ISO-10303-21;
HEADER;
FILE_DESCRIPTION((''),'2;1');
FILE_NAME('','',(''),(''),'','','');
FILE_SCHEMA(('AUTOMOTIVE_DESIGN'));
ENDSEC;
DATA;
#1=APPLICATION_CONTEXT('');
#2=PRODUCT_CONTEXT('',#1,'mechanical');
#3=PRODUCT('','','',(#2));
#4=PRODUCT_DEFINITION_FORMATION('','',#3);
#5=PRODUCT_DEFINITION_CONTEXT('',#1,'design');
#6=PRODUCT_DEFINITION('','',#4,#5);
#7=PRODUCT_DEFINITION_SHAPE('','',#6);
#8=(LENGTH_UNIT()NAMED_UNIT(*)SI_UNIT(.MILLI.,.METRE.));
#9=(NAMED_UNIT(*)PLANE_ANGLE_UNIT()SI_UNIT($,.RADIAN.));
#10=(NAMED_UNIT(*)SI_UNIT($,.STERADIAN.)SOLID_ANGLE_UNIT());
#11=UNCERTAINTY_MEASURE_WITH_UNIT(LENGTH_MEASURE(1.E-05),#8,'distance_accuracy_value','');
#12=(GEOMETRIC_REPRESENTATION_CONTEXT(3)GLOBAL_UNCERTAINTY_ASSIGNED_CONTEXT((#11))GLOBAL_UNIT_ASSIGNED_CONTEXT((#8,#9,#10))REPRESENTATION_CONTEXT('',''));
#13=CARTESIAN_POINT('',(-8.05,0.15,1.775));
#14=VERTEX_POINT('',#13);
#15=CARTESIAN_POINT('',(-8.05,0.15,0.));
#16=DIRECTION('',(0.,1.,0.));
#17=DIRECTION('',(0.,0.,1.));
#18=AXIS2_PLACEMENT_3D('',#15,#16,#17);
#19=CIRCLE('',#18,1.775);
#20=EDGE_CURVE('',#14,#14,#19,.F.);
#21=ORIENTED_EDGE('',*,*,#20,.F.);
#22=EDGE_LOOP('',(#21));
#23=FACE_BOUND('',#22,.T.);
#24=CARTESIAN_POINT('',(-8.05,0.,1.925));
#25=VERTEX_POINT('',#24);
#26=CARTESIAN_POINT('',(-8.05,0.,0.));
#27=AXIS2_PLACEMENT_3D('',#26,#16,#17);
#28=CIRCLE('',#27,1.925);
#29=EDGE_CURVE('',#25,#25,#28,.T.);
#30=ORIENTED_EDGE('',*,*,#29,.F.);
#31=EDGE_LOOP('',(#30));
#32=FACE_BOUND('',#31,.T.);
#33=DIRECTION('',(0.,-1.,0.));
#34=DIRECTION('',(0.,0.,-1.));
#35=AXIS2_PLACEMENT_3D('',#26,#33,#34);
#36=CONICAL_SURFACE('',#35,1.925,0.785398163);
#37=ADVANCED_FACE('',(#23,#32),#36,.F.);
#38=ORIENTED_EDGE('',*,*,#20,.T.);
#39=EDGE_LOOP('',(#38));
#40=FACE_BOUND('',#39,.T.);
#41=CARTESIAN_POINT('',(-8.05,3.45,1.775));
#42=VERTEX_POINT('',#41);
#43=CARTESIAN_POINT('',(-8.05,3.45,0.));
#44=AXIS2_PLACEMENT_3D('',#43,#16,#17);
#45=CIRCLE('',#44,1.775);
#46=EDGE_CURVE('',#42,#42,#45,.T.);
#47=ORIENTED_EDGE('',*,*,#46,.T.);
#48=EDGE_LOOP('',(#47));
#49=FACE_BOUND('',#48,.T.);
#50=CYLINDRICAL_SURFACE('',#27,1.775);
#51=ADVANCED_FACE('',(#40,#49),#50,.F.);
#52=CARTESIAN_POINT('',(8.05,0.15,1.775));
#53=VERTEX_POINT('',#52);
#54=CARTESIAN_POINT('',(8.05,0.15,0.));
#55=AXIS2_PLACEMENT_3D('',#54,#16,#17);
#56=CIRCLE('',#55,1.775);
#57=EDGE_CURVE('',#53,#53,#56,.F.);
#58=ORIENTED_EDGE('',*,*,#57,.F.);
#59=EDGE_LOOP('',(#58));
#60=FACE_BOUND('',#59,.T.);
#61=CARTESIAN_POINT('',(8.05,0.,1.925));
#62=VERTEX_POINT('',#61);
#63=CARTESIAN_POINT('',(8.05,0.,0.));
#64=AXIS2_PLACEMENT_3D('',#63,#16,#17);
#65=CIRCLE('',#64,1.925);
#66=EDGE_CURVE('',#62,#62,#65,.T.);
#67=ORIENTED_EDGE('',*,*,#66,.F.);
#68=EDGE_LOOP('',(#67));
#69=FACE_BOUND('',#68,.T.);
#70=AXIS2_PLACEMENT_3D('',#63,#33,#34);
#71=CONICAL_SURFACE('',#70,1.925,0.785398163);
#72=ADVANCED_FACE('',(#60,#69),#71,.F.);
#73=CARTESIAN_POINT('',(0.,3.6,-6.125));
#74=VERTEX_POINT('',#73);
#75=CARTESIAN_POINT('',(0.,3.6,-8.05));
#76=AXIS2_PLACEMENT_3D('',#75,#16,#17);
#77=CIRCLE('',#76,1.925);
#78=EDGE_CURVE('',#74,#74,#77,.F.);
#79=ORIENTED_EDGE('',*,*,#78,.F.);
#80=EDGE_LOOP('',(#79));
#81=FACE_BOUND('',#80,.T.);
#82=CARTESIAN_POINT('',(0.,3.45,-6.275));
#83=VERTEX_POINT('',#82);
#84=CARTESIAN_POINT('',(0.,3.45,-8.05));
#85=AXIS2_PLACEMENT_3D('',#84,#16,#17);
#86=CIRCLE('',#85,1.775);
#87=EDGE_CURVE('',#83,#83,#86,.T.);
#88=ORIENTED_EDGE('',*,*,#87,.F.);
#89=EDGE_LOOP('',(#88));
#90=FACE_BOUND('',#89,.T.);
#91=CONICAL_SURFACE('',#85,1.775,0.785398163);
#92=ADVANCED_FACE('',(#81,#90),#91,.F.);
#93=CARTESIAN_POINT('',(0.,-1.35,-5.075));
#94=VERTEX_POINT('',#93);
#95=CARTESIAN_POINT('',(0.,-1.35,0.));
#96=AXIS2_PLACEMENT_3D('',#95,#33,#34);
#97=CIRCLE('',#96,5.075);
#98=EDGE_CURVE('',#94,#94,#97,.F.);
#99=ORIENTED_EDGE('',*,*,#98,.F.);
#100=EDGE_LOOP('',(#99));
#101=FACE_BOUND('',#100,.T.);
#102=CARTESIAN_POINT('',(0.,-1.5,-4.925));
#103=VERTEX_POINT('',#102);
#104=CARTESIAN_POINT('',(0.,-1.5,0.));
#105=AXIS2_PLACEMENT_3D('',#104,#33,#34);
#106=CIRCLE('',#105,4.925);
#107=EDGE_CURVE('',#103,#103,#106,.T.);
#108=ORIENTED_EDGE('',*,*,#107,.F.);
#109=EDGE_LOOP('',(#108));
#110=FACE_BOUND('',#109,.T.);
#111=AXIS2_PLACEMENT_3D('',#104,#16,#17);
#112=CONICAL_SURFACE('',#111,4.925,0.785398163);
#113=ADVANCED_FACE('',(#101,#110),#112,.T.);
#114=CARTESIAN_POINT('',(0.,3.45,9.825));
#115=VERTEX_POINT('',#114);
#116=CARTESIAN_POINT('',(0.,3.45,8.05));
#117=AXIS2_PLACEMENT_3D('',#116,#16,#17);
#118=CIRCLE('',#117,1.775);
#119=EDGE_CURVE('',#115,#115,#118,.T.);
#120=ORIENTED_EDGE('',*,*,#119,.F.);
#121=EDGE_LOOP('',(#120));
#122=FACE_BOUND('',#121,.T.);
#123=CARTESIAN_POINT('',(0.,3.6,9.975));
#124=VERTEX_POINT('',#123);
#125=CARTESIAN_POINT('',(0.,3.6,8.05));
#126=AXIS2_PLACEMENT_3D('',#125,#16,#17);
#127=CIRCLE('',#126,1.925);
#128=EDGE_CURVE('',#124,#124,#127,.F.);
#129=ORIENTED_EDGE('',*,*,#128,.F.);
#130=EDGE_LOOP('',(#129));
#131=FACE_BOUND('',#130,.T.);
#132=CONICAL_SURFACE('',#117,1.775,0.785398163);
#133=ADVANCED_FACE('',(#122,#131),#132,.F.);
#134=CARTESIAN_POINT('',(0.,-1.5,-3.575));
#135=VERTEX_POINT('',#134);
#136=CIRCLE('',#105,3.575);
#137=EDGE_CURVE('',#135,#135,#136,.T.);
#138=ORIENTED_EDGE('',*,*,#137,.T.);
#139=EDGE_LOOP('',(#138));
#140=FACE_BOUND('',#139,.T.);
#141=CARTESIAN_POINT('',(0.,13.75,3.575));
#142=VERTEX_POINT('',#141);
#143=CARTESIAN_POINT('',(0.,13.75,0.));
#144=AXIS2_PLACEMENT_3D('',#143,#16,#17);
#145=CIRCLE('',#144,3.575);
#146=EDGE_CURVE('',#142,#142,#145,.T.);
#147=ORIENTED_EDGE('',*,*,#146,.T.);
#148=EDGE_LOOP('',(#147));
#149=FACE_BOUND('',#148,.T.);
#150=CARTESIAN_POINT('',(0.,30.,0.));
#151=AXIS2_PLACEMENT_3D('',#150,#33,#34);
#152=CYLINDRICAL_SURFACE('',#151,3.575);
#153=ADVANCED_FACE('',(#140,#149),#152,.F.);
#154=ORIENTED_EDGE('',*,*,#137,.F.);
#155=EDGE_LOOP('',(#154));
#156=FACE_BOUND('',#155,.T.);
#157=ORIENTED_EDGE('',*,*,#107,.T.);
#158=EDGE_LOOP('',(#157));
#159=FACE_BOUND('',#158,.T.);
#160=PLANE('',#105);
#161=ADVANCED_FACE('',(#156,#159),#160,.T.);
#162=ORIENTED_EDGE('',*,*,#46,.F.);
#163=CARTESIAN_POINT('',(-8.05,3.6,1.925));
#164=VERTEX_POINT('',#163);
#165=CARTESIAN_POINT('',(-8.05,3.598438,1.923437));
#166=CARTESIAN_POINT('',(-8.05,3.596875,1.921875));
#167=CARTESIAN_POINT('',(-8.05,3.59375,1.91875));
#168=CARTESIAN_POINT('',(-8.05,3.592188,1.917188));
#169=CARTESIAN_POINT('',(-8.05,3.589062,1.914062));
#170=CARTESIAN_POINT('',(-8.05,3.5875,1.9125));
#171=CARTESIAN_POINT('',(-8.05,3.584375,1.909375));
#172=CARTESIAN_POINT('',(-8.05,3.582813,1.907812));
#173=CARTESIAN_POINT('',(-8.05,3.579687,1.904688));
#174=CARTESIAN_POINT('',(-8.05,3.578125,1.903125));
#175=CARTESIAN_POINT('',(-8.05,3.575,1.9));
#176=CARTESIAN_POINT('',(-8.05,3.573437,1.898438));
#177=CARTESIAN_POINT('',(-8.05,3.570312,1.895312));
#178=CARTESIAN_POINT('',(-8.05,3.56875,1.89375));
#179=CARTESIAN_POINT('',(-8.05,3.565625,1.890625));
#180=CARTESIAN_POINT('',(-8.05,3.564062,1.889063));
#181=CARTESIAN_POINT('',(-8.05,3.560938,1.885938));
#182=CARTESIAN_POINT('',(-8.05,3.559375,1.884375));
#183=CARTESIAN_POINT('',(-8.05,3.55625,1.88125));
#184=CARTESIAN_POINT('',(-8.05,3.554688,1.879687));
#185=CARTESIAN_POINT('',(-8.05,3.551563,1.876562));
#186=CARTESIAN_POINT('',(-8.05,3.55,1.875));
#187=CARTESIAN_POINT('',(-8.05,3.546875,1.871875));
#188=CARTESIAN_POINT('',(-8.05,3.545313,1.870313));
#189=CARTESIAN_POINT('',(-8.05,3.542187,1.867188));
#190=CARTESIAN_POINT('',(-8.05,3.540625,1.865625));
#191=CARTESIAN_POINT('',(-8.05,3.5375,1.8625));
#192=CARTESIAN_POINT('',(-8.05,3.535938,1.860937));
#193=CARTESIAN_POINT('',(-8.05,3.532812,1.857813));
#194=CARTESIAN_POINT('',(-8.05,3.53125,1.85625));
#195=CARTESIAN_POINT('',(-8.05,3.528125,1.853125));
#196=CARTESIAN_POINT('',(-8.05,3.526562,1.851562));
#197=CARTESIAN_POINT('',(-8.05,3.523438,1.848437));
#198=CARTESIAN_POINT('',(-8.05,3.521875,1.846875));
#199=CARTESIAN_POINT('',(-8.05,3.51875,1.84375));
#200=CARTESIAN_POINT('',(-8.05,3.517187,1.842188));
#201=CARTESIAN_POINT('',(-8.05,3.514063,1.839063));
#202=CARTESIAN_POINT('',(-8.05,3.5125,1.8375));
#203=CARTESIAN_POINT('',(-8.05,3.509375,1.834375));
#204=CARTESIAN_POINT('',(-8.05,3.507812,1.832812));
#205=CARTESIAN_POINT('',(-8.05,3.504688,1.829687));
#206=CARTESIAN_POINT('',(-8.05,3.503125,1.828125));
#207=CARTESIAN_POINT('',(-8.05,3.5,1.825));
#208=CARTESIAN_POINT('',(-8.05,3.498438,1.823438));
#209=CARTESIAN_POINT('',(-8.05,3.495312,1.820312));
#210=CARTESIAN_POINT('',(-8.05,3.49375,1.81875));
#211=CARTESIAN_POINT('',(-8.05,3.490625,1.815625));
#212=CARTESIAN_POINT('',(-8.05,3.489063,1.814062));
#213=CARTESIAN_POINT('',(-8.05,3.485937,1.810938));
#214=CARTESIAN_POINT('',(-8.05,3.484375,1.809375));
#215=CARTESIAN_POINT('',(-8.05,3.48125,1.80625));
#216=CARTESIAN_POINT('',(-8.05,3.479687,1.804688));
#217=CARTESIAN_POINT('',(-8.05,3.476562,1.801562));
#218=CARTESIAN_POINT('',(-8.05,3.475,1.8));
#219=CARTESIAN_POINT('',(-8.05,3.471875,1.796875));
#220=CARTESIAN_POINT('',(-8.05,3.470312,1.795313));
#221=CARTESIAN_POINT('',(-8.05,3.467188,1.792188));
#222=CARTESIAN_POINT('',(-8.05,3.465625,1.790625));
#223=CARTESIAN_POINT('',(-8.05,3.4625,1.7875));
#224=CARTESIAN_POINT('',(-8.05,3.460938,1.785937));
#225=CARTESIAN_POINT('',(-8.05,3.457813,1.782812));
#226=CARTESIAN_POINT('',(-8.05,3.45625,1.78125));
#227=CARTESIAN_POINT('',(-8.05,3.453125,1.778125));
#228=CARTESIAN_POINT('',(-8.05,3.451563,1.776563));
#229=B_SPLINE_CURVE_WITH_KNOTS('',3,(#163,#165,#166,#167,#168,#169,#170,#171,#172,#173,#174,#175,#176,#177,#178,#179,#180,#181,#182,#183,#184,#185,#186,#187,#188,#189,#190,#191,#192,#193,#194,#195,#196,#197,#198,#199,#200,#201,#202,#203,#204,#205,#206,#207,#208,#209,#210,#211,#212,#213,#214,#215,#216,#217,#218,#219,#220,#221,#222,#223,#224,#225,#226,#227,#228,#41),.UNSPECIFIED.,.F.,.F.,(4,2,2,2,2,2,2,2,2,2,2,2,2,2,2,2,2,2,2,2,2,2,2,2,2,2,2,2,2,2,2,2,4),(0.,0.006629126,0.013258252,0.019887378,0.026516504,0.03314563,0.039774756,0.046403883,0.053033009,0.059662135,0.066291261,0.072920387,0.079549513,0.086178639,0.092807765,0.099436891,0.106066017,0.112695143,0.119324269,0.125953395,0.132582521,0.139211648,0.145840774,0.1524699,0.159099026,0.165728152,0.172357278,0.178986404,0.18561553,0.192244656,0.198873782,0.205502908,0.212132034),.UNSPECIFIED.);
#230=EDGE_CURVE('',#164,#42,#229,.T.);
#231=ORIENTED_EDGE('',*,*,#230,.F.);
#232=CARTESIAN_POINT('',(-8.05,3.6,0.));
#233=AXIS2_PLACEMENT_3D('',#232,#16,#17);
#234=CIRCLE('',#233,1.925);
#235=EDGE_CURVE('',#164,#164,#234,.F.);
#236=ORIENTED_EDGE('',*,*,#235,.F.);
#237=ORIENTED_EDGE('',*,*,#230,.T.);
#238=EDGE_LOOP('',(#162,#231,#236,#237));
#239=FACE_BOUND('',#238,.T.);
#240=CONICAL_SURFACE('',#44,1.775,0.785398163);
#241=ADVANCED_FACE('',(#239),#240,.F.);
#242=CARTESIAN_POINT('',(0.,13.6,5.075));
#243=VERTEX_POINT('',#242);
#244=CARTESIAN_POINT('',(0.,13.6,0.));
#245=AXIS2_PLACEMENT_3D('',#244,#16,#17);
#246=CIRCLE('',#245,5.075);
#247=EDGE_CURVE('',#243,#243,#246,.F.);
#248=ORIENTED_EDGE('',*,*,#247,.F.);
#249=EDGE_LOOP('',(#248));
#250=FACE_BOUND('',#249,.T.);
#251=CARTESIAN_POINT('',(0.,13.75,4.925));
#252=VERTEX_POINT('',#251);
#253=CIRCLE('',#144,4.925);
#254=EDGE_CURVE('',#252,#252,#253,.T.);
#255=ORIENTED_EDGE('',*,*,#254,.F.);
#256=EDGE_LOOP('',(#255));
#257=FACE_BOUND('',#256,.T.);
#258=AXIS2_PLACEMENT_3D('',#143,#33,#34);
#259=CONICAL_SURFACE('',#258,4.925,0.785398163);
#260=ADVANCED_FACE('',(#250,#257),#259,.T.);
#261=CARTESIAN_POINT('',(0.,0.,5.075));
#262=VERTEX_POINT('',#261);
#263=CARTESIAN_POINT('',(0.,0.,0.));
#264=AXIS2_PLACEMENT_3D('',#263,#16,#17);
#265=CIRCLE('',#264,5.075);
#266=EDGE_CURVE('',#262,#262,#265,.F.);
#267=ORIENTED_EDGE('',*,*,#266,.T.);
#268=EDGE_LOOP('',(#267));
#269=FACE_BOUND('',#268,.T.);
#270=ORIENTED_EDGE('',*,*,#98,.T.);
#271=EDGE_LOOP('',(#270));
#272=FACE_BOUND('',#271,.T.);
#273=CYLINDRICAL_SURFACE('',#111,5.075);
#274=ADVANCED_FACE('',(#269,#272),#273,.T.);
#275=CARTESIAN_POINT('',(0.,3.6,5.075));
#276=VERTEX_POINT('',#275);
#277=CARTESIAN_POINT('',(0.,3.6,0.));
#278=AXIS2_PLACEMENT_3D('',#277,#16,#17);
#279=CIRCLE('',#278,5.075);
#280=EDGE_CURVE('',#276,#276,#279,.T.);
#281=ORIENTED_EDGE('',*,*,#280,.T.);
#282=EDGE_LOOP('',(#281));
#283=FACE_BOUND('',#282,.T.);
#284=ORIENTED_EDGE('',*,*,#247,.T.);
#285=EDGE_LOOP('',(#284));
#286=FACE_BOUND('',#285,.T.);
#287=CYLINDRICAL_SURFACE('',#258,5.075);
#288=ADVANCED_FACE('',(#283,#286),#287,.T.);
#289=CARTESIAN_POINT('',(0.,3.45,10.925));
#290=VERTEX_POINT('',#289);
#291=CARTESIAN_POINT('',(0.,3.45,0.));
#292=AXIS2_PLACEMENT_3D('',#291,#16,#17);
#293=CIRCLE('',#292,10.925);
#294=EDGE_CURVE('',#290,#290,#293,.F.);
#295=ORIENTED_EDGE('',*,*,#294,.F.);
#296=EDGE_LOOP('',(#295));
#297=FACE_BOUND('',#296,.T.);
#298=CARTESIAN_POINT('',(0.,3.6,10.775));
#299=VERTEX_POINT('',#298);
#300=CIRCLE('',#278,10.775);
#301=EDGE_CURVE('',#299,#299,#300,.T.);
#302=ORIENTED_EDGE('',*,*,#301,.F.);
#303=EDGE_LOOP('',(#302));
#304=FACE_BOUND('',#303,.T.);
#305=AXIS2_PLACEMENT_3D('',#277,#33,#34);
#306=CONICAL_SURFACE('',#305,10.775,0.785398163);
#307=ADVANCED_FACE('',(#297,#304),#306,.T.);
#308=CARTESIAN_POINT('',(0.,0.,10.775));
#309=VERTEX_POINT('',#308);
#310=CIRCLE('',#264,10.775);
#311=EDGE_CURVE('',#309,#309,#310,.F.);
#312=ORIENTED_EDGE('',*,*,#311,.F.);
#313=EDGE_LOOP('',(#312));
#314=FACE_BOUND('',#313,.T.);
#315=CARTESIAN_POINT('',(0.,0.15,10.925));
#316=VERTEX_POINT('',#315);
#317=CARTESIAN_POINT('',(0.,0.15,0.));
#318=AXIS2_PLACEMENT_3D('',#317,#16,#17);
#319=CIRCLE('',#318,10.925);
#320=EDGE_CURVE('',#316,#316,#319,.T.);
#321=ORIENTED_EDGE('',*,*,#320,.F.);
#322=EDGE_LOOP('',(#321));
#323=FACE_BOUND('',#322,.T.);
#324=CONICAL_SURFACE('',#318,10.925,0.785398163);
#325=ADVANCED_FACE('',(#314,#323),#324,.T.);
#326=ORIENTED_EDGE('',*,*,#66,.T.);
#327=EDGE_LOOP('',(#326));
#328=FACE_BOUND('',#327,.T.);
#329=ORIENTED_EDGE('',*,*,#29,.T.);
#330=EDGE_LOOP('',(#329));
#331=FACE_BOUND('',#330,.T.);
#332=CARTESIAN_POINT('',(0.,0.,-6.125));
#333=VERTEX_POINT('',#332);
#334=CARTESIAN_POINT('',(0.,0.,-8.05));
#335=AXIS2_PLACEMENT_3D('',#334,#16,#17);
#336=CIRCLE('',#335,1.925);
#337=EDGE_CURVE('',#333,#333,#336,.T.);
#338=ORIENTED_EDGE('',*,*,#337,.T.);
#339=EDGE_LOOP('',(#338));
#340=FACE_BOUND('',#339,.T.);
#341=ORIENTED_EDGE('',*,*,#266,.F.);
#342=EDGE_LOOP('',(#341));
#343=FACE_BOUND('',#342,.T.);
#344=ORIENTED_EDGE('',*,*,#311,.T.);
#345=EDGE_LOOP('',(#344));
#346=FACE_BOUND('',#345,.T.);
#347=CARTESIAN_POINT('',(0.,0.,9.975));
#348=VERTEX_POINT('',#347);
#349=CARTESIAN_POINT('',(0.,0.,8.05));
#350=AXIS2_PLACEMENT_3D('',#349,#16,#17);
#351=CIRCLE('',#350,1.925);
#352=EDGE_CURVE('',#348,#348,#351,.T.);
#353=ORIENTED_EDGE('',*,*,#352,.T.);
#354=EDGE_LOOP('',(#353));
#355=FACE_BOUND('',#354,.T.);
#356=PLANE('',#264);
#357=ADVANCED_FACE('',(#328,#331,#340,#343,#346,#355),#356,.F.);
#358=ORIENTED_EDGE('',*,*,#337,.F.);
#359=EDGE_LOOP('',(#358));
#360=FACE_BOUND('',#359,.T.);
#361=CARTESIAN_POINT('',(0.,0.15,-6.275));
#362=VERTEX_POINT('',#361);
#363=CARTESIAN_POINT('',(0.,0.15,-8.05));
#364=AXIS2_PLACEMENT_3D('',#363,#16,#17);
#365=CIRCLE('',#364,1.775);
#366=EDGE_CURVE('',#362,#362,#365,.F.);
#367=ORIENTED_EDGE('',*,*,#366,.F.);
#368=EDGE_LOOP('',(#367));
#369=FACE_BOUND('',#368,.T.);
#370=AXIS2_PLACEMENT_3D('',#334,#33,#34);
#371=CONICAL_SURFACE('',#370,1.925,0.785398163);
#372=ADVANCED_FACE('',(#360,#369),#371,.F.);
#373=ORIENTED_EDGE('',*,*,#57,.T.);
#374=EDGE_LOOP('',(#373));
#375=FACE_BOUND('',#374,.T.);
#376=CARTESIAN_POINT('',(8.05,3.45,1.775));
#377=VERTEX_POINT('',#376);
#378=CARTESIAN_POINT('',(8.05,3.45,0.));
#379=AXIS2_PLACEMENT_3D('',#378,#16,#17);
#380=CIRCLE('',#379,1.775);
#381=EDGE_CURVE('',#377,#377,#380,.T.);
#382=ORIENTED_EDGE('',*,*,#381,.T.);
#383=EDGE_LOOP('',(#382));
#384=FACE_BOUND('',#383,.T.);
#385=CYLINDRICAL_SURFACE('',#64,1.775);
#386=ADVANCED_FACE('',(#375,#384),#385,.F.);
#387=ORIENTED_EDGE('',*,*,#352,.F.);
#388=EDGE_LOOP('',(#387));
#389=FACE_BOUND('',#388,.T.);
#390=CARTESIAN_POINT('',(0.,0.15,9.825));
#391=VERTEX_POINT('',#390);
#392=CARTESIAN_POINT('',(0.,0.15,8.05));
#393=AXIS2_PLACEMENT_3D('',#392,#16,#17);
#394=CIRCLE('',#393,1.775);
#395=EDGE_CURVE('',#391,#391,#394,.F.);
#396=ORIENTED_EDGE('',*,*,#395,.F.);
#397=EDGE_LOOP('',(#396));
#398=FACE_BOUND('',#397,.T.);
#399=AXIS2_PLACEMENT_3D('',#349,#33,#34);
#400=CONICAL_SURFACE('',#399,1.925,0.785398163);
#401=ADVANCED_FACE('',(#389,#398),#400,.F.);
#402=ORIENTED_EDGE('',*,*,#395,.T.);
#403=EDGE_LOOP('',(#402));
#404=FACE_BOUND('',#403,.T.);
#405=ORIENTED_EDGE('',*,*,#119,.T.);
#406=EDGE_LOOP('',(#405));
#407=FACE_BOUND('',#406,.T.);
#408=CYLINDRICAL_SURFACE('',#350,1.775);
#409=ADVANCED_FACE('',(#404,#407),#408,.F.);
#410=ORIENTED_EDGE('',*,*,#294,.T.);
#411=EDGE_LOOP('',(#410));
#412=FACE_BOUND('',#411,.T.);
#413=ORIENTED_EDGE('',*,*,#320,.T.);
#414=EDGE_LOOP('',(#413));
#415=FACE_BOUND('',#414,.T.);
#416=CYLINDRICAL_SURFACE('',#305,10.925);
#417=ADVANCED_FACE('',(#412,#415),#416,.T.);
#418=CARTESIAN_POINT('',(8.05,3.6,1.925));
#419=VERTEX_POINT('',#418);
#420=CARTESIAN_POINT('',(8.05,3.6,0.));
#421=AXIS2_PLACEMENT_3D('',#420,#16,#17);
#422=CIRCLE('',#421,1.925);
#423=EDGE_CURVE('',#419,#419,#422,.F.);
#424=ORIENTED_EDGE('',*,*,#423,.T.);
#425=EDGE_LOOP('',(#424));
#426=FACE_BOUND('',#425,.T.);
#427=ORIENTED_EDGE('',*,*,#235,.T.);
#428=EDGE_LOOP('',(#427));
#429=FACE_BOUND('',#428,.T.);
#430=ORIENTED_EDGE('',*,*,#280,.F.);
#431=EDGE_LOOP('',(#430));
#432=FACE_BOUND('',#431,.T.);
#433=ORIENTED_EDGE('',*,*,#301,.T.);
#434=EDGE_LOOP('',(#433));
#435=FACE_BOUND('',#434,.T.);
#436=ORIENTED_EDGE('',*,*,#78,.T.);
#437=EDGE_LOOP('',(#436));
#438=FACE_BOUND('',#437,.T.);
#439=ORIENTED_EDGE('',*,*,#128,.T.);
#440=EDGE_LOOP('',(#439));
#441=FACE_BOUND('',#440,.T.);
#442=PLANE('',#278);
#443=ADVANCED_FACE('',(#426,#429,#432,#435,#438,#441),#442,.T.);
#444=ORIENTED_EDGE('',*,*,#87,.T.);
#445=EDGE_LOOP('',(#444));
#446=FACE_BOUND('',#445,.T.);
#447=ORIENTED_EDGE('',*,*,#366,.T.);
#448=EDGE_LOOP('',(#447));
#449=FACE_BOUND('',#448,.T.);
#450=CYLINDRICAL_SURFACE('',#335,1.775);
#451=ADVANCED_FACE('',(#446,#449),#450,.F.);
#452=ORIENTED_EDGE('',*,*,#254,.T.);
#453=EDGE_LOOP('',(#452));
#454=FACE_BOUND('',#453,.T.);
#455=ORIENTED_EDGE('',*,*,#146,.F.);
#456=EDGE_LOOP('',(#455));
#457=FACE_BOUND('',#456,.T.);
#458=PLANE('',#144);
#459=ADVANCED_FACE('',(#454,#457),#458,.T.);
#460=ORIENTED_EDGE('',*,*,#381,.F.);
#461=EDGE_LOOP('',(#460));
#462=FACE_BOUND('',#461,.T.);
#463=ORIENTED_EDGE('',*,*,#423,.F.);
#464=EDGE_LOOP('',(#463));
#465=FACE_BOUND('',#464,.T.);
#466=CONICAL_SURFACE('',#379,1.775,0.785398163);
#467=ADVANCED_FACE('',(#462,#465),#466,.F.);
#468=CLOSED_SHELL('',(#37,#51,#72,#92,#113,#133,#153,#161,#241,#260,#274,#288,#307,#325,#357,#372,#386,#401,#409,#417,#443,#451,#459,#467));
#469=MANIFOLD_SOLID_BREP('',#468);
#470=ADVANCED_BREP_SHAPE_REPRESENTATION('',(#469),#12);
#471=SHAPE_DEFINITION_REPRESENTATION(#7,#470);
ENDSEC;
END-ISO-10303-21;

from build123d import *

# Parameters (mm, degrees)
CROQUIS1_R              = 10.925
SALIENTE_EXTRUIR1_DEPTH = 3.6
CROQUIS2_R              = 1.775
CORTAR_EXTRUIR1_DEPTH   = 3.6
CROQUIS3_R              = 5.075
SALIENTE_EXTRUIR2_DEPTH = 10.15
SALIENTE_EXTRUIR3_START = 1.5
CROQUIS4_R              = 5.075
SALIENTE_EXTRUIR3_DEPTH = 1.5
CROQUIS5_R              = 3.575
CORTAR_EXTRUIR2_DEPTH   = 31.5
CHAFL_N1_SIZE           = 0.15


with BuildPart() as part:
    # Croquis1 → Saliente-Extruir1 (new body)
    with BuildSketch(Plane(origin=(0, 0, 0), x_dir=(1, 0, 0), z_dir=(0, 1, 0))):
        with Locations(Location((0, 0, 0), (0, 0, 270))):
            Circle(CROQUIS1_R)
    extrude(amount=SALIENTE_EXTRUIR1_DEPTH)

    # Croquis2 → Cortar-Extruir1 (cut)
    with BuildSketch(Plane(origin=(0, 3.6, 0), x_dir=(1, 0, 0), z_dir=(0, 1, 0))):
        with Locations(Location((-8.05, 0, 0), (0, 0, 270))):
            Circle(CROQUIS2_R)
        with Locations(Location((8.05, 0, 0), (0, 0, 270))):
            Circle(CROQUIS2_R)
        with Locations(Location((0, -8.05, 0), (0, 0, 270))):
            Circle(CROQUIS2_R)
        with Locations(Location((0, 8.05, 0), (0, 0, 270))):
            Circle(CROQUIS2_R)
    extrude(amount=-CORTAR_EXTRUIR1_DEPTH, mode=Mode.SUBTRACT)

    # Croquis3 → Saliente-Extruir2 (add)
    with BuildSketch(Plane(origin=(0, 3.6, 0), x_dir=(1, 0, 0), z_dir=(0, 1, 0))):
        with Locations(Location((0, 0, 0), (0, 0, 270))):
            Circle(CROQUIS3_R)
    extrude(amount=SALIENTE_EXTRUIR2_DEPTH)

    # Croquis4 → Saliente-Extruir3 (add)
    with BuildSketch(Plane.XZ.offset(SALIENTE_EXTRUIR3_START)):
        with Locations(Location((0, 0, 0), (0, 0, 90))):
            Circle(CROQUIS4_R)
    extrude(amount=-SALIENTE_EXTRUIR3_DEPTH)

    # Croquis5 → Cortar-Extruir2 (cut)
    with BuildSketch(Plane.XZ.offset(1.5)):
        with Locations(Location((0, 0, 0), (0, 0, 270))):
            Circle(CROQUIS5_R)
    extrude(amount=-CORTAR_EXTRUIR2_DEPTH, mode=Mode.SUBTRACT)

    # Chaflán1
    chafl_n1_edges = [part.edges().sort_by_distance(p)[0] for p in [
        (8.05, 0, -1.775),
        (8.05, 3.6, -1.775),
        (0, 0, 6.275),
        (0, 3.6, 6.275),
        (0, 0, -9.825),
        (0, 3.6, -9.825),
        (0, 0, -10.925),
        (0, 13.75, -5.075),
        (0, -1.5, -5.075),
        (0, 3.6, -10.925),
        (-8.05, 0, -1.775),
        (-8.05, 3.6, -1.775),
    ]]
    chamfer(chafl_n1_edges, length=CHAFL_N1_SIZE)


solid = part.part
